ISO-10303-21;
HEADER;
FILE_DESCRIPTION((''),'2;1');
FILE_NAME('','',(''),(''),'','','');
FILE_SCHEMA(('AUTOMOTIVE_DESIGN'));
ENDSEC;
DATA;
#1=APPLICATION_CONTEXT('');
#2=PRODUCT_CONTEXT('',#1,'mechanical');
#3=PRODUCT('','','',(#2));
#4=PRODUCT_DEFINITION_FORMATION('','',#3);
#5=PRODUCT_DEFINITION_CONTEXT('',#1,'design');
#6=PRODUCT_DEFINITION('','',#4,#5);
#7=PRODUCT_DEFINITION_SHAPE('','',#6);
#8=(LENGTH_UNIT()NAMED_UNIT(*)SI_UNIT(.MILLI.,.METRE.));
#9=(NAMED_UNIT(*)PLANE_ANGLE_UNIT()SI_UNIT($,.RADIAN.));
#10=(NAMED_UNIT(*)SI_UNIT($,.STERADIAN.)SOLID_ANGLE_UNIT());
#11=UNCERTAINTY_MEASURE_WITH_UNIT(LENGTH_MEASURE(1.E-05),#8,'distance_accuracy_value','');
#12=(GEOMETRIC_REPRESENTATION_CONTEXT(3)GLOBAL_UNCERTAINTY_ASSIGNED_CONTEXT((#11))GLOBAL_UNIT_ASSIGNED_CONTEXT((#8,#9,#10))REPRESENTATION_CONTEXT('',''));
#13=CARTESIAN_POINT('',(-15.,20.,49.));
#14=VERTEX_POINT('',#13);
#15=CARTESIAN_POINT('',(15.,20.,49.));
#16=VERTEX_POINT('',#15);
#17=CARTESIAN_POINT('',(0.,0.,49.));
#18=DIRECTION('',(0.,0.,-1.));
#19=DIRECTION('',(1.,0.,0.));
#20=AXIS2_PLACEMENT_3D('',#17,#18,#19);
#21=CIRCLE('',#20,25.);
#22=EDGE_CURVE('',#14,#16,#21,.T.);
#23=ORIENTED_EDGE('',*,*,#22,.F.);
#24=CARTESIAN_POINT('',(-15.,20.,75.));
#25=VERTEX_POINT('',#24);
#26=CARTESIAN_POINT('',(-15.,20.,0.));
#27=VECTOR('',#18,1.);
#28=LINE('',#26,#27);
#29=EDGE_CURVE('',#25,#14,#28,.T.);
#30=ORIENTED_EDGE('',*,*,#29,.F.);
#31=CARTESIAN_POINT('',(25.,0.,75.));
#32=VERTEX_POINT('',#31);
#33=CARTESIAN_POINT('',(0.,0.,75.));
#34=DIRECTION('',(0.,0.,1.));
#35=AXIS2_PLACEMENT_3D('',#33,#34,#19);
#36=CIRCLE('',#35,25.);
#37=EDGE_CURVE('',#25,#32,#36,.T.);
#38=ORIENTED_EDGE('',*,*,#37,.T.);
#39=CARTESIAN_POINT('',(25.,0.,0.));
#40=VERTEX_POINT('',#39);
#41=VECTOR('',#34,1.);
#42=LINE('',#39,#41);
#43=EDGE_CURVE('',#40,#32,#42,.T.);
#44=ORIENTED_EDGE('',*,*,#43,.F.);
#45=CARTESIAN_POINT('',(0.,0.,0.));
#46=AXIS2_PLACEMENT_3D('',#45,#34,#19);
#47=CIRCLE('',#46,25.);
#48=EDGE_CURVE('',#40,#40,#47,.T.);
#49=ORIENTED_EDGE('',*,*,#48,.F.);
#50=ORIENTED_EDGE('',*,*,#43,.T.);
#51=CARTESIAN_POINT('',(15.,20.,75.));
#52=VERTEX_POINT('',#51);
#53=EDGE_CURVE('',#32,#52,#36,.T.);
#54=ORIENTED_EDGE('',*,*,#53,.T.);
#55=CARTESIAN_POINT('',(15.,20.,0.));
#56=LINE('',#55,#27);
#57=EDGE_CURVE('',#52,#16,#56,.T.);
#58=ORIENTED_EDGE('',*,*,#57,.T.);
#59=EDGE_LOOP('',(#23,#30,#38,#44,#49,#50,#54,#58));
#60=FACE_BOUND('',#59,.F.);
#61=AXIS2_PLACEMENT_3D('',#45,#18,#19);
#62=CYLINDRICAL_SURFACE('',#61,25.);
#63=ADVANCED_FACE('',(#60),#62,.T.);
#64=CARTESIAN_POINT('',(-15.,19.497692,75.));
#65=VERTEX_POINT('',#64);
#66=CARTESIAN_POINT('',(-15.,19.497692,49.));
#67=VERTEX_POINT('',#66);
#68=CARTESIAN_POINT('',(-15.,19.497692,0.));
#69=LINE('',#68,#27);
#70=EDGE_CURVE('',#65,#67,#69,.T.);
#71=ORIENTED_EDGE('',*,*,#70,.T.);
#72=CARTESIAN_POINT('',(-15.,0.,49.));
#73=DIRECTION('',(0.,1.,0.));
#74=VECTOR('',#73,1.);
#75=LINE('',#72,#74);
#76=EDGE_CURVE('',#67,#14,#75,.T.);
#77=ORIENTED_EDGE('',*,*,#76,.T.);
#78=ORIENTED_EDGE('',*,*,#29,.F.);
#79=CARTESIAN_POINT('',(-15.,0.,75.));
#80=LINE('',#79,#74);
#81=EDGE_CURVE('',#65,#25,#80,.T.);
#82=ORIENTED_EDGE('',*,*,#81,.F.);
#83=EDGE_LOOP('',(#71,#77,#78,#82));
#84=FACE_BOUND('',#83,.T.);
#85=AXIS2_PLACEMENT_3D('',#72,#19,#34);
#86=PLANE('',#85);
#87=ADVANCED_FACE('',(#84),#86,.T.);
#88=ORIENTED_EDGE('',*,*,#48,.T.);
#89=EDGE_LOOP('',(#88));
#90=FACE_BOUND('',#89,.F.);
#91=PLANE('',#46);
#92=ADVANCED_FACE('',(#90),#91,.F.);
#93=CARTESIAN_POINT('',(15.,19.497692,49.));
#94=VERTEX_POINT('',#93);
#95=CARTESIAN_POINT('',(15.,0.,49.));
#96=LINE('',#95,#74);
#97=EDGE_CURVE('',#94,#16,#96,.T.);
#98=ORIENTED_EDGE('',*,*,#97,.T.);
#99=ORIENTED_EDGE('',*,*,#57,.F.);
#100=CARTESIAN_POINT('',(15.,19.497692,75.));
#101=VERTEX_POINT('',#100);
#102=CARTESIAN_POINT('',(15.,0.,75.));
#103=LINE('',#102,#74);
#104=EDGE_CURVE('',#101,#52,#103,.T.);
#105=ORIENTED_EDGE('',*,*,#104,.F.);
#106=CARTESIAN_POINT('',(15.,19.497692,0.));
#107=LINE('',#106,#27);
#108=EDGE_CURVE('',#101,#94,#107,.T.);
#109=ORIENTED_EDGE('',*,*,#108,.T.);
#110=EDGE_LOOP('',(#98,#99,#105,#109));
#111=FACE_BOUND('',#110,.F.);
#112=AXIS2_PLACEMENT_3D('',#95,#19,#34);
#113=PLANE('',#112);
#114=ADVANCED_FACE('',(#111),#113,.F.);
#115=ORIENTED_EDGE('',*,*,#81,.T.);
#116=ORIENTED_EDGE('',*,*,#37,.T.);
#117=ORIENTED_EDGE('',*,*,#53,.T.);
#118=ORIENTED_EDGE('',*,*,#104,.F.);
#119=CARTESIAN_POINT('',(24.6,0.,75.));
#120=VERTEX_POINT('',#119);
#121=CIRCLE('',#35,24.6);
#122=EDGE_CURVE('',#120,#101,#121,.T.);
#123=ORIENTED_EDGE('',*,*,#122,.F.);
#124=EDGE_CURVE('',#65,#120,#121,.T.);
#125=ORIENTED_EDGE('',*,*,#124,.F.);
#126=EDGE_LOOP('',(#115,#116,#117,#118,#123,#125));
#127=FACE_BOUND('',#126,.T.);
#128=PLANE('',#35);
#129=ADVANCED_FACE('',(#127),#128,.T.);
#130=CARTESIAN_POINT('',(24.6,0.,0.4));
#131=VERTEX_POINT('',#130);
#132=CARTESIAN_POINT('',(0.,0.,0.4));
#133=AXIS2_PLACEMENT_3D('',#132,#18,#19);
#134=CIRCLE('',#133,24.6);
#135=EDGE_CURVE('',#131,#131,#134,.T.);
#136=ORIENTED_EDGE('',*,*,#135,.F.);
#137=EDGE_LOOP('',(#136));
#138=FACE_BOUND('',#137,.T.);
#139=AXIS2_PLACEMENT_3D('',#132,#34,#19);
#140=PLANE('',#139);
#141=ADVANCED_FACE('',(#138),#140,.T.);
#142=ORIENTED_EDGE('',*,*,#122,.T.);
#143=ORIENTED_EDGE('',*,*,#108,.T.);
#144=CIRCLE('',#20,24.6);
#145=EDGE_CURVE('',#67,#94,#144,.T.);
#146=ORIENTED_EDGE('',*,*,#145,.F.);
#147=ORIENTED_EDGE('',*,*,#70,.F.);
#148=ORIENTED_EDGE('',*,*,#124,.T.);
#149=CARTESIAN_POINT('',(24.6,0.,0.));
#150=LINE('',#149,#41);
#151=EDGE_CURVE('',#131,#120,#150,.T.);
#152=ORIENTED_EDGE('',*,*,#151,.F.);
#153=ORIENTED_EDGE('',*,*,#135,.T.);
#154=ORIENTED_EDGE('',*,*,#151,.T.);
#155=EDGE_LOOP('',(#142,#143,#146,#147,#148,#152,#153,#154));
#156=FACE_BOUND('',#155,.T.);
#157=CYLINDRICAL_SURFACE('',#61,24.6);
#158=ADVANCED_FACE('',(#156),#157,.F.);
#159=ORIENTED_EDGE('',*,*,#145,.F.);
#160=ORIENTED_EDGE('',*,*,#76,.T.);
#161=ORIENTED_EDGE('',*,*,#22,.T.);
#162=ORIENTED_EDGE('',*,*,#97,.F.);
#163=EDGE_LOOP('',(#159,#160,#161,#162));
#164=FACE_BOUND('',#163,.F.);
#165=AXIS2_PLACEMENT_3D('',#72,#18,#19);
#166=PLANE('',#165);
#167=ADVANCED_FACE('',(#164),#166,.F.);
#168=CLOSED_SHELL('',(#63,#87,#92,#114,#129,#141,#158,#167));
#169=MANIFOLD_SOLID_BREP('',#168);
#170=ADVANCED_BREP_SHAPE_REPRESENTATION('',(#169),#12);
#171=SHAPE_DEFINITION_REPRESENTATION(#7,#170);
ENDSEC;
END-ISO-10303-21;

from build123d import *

# Parameters (mm, degrees)
F0_R     = 25
F1_DEPTH = 75
F2_T     = -0.4
F3_W     = 30
F3_H     = 26
F4_DEPTH = 25.001


with BuildPart() as f1:
    # F0 (on Top) → F1 (new body)
    with BuildSketch(Plane.XY):
        Circle(F0_R)
    extrude(amount=F1_DEPTH)

    # F2
    f2_openings = [f1.faces().sort_by_distance(p)[0] for p in [
        (0, 0, 75),
    ]]
    offset(amount=F2_T, openings=f2_openings)

    # F3 (on Front) → F4 (cut, through all)
    with BuildSketch(Plane.XZ):
        with Locations((0, 62)):
            Rectangle(F3_W, F3_H)
    extrude(amount=-F4_DEPTH, mode=Mode.SUBTRACT)


solid = f1.part
